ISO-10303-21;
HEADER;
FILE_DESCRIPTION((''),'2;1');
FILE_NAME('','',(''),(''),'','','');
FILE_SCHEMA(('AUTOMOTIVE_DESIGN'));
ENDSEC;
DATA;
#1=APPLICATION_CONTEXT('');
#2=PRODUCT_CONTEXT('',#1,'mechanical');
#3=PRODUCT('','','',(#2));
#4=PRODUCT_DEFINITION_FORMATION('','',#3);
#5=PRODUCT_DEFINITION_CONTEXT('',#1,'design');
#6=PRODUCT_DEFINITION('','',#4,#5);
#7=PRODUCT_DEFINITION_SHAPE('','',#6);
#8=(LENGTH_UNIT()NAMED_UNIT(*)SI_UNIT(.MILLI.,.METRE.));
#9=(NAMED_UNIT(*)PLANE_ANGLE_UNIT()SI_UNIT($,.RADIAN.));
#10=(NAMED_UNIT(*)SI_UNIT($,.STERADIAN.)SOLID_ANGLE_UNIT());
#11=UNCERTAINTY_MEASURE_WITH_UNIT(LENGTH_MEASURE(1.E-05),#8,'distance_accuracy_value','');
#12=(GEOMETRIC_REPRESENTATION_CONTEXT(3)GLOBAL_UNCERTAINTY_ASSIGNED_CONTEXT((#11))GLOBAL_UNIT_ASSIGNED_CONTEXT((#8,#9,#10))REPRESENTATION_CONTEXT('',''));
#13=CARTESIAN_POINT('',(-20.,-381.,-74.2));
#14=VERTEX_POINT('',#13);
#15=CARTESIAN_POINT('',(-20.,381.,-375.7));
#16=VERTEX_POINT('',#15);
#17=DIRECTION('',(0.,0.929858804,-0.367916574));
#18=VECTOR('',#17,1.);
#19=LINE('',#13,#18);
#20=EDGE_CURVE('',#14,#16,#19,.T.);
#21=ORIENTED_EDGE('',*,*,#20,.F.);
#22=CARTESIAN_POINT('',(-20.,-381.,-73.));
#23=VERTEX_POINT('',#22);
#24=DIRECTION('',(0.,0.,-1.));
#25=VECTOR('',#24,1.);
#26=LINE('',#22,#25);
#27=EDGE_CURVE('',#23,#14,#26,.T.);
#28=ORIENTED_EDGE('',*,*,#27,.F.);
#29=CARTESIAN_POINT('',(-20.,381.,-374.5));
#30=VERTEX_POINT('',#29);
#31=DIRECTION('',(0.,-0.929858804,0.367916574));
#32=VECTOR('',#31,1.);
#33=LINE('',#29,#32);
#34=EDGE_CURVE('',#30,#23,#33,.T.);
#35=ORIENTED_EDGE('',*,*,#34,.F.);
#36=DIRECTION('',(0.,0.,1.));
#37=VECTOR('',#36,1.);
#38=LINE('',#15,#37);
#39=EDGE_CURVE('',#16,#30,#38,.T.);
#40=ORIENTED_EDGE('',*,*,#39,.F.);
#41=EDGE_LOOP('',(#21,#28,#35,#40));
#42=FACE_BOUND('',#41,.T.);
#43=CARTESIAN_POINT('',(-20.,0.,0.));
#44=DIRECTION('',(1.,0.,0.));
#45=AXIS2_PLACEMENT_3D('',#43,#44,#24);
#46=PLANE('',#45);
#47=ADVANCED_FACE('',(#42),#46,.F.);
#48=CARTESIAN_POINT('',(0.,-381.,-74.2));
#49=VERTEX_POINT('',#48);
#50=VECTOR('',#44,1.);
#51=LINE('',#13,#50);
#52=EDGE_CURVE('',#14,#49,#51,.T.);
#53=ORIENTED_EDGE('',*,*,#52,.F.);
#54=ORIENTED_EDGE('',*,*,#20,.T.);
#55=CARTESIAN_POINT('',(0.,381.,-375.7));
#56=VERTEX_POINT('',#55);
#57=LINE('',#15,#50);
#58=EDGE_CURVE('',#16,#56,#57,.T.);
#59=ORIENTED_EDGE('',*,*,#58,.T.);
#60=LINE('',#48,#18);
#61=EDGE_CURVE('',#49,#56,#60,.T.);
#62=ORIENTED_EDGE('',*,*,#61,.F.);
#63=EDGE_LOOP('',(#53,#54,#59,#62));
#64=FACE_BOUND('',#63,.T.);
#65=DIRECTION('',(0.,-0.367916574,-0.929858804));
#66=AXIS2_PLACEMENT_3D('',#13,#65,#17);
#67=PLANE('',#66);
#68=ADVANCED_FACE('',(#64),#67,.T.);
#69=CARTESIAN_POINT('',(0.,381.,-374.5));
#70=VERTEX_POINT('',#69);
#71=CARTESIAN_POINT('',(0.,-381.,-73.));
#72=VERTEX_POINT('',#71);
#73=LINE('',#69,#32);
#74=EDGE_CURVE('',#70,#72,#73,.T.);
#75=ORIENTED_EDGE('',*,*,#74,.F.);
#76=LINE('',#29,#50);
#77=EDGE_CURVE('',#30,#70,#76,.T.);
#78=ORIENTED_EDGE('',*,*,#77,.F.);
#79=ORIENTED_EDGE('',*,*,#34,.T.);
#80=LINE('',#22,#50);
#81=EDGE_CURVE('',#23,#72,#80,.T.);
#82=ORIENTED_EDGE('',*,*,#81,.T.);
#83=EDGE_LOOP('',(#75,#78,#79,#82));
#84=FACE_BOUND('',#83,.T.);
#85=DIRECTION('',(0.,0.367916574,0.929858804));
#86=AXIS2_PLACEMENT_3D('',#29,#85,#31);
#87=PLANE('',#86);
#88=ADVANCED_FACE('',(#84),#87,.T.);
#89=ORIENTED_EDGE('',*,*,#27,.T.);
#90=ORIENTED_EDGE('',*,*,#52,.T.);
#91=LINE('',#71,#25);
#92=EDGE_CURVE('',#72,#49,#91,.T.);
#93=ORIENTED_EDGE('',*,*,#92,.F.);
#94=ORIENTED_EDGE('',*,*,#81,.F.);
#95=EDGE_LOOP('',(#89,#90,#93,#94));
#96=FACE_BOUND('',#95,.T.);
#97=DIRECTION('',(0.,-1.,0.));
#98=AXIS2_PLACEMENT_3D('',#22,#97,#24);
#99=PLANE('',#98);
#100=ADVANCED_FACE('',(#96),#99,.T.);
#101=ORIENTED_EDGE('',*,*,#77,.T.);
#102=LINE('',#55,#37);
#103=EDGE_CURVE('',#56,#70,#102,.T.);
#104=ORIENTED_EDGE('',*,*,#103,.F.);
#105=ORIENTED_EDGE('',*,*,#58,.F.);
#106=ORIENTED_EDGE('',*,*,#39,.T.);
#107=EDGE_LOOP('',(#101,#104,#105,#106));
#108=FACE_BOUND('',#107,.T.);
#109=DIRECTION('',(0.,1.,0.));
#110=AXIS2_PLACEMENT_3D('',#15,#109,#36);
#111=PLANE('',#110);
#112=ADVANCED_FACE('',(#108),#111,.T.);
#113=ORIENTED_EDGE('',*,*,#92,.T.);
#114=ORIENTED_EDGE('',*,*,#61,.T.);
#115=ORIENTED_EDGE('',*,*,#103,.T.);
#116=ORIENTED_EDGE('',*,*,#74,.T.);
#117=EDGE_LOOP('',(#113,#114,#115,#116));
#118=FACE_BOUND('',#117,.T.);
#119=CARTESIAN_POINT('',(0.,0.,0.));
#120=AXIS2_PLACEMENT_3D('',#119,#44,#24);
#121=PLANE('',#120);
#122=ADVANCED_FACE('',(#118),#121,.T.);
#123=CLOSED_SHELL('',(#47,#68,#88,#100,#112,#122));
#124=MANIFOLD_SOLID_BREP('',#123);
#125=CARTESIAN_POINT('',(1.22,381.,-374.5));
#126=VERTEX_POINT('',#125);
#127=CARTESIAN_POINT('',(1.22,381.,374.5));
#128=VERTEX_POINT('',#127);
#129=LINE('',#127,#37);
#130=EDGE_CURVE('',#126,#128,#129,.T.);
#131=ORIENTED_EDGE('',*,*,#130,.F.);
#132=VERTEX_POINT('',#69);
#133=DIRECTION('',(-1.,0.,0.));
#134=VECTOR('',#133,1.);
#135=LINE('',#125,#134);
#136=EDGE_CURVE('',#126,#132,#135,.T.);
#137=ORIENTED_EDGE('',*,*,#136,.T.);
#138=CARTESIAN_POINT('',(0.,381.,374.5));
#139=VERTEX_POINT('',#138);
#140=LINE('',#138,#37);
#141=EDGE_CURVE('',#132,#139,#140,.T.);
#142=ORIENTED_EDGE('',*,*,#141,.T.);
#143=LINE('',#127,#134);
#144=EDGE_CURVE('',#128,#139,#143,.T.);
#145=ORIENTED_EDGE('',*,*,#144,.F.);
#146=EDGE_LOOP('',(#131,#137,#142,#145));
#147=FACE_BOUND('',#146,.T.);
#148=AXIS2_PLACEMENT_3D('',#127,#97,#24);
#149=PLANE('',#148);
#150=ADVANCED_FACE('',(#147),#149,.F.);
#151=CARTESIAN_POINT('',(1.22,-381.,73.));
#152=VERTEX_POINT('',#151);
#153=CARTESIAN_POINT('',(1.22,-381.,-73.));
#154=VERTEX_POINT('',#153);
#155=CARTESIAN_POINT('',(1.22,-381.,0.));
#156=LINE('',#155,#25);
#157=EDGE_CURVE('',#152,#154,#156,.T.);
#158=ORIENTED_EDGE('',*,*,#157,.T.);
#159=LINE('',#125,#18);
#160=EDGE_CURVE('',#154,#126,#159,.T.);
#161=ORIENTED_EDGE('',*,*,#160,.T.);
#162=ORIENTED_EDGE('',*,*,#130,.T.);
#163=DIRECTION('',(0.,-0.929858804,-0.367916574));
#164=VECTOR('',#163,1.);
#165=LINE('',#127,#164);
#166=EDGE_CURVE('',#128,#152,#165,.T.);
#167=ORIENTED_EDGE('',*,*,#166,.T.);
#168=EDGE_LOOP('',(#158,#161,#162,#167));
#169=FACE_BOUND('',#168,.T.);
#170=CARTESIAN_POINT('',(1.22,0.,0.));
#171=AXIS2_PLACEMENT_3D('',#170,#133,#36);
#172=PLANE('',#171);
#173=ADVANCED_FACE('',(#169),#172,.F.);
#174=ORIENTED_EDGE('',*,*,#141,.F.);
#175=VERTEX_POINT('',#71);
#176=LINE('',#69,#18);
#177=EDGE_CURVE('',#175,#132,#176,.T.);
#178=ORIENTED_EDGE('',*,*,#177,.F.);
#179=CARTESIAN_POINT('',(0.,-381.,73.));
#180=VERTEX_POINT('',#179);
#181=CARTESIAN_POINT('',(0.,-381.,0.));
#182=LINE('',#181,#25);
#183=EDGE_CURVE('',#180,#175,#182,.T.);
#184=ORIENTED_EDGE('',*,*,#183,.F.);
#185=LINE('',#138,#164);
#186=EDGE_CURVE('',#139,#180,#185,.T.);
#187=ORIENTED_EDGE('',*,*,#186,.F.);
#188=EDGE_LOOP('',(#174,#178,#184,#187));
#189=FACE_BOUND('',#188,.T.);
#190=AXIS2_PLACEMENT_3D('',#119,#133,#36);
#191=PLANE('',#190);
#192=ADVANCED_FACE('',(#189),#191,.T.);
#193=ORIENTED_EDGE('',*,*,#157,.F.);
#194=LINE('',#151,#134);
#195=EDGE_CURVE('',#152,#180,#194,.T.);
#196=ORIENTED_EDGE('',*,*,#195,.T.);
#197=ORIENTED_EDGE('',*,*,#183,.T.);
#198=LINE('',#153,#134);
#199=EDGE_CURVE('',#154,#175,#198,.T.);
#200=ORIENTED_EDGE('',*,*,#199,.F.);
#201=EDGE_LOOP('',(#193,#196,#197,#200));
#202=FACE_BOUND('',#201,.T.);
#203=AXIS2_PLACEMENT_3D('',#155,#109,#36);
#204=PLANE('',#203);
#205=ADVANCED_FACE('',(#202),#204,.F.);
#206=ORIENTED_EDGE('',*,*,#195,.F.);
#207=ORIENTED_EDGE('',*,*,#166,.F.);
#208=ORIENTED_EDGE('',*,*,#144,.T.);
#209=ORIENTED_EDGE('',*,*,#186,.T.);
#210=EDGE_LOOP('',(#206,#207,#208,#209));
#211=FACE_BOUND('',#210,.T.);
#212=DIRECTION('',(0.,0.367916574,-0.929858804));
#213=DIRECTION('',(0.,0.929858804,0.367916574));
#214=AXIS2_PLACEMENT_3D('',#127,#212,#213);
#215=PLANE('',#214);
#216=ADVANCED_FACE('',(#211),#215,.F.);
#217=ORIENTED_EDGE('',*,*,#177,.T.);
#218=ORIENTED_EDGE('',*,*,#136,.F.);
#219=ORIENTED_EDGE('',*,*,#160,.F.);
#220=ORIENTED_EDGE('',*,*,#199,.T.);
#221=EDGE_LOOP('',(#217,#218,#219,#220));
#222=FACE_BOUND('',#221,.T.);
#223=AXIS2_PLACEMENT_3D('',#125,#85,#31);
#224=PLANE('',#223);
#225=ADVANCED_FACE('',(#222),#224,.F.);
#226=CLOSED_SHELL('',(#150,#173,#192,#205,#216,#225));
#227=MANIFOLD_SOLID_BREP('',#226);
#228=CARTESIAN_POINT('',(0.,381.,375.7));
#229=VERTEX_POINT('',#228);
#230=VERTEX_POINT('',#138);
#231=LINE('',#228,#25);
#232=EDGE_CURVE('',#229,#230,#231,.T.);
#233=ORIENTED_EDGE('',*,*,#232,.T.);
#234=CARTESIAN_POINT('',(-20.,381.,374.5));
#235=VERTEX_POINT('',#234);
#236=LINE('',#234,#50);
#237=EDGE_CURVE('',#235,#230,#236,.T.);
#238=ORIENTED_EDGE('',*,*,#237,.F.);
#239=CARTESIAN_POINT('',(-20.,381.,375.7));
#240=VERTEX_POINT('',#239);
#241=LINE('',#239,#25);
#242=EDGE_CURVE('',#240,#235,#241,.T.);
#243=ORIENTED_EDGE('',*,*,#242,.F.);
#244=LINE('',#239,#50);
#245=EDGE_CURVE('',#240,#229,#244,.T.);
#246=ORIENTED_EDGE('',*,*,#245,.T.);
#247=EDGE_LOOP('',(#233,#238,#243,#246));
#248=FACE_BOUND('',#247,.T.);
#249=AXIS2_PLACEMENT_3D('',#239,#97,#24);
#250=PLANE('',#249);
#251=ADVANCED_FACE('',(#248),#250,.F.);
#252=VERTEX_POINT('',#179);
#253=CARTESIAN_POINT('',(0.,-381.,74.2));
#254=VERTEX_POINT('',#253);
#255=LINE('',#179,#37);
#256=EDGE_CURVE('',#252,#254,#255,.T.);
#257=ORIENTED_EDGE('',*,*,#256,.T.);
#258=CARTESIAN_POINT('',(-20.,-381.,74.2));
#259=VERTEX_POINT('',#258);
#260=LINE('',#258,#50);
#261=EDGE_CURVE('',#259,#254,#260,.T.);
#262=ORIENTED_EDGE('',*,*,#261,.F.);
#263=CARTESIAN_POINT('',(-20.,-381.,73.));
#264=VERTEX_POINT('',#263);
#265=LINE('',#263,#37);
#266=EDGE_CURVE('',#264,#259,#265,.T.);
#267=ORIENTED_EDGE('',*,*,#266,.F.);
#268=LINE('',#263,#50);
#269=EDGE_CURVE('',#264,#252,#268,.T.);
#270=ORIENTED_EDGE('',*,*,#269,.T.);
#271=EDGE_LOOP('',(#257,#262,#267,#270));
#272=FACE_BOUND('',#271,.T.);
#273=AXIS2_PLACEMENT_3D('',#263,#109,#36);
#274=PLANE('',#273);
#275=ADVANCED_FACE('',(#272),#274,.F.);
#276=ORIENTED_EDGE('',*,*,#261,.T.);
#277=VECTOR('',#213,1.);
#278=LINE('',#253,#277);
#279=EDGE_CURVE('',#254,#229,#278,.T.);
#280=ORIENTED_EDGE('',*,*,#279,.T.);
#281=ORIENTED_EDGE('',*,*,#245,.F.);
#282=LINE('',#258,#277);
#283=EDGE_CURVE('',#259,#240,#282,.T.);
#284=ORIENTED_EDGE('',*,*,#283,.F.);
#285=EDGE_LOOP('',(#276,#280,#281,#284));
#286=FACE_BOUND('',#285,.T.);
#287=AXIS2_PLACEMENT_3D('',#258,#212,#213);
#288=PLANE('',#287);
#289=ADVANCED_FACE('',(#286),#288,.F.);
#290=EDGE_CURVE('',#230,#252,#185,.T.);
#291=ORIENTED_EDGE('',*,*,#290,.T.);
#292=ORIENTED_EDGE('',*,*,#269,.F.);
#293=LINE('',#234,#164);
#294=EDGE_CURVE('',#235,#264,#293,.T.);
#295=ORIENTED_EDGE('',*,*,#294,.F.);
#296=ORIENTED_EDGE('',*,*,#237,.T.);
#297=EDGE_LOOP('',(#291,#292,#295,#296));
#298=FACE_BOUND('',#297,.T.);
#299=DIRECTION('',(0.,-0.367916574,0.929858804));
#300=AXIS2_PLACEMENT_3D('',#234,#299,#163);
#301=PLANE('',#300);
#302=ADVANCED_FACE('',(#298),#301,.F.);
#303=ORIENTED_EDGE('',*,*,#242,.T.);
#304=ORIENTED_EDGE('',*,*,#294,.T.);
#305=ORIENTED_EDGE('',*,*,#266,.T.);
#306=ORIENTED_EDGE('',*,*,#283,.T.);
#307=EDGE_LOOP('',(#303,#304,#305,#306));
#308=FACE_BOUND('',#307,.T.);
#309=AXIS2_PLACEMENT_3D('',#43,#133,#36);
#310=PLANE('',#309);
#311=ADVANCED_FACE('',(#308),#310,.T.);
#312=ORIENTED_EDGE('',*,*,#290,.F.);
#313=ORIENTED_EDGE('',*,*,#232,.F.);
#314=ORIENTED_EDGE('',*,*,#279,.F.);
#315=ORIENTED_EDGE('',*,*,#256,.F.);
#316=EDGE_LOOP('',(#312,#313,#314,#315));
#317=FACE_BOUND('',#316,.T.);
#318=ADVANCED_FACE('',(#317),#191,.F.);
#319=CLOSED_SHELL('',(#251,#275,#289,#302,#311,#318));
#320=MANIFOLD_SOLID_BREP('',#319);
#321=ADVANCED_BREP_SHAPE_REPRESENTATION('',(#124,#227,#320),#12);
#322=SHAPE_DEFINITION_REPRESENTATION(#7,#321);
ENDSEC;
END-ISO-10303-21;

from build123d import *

# Parameters (mm, degrees)
BOSS_EXTRUDE1_DEPTH   = 1.22
BOSS_EXTRUDE2_DEPTH   = 20
BOSS_EXTRUDE2_2_DEPTH = 20


with BuildPart() as part:
    # Sketch1 → Boss-Extrude1 (new body)
    with BuildSketch(Plane(origin=(0, 0, 0), x_dir=(0, 0, -1), z_dir=(1, 0, 0))):
        Polygon((-374.5, 381), (374.5, 381), (73, -381), (0, -381), (-73, -381), align=None)
    extrude(amount=BOSS_EXTRUDE1_DEPTH)


with BuildPart() as body_2:
    # Sketch3 → Boss-Extrude2 (new body)
    with BuildSketch(Plane.ZY):
        Polygon((73, -381), (74.2, -381), (375.7, 381), (374.5, 381), align=None)
    extrude(amount=BOSS_EXTRUDE2_DEPTH)


with BuildPart() as body_3:
    # Sketch3 → Boss-Extrude2 2 (new body)
    with BuildSketch(Plane.ZY):
        Polygon((-73, -381), (-74.2, -381), (-375.7, 381), (-374.5, 381), align=None)
    extrude(amount=BOSS_EXTRUDE2_2_DEPTH)


solid = Compound([part.part, body_2.part, body_3.part])
